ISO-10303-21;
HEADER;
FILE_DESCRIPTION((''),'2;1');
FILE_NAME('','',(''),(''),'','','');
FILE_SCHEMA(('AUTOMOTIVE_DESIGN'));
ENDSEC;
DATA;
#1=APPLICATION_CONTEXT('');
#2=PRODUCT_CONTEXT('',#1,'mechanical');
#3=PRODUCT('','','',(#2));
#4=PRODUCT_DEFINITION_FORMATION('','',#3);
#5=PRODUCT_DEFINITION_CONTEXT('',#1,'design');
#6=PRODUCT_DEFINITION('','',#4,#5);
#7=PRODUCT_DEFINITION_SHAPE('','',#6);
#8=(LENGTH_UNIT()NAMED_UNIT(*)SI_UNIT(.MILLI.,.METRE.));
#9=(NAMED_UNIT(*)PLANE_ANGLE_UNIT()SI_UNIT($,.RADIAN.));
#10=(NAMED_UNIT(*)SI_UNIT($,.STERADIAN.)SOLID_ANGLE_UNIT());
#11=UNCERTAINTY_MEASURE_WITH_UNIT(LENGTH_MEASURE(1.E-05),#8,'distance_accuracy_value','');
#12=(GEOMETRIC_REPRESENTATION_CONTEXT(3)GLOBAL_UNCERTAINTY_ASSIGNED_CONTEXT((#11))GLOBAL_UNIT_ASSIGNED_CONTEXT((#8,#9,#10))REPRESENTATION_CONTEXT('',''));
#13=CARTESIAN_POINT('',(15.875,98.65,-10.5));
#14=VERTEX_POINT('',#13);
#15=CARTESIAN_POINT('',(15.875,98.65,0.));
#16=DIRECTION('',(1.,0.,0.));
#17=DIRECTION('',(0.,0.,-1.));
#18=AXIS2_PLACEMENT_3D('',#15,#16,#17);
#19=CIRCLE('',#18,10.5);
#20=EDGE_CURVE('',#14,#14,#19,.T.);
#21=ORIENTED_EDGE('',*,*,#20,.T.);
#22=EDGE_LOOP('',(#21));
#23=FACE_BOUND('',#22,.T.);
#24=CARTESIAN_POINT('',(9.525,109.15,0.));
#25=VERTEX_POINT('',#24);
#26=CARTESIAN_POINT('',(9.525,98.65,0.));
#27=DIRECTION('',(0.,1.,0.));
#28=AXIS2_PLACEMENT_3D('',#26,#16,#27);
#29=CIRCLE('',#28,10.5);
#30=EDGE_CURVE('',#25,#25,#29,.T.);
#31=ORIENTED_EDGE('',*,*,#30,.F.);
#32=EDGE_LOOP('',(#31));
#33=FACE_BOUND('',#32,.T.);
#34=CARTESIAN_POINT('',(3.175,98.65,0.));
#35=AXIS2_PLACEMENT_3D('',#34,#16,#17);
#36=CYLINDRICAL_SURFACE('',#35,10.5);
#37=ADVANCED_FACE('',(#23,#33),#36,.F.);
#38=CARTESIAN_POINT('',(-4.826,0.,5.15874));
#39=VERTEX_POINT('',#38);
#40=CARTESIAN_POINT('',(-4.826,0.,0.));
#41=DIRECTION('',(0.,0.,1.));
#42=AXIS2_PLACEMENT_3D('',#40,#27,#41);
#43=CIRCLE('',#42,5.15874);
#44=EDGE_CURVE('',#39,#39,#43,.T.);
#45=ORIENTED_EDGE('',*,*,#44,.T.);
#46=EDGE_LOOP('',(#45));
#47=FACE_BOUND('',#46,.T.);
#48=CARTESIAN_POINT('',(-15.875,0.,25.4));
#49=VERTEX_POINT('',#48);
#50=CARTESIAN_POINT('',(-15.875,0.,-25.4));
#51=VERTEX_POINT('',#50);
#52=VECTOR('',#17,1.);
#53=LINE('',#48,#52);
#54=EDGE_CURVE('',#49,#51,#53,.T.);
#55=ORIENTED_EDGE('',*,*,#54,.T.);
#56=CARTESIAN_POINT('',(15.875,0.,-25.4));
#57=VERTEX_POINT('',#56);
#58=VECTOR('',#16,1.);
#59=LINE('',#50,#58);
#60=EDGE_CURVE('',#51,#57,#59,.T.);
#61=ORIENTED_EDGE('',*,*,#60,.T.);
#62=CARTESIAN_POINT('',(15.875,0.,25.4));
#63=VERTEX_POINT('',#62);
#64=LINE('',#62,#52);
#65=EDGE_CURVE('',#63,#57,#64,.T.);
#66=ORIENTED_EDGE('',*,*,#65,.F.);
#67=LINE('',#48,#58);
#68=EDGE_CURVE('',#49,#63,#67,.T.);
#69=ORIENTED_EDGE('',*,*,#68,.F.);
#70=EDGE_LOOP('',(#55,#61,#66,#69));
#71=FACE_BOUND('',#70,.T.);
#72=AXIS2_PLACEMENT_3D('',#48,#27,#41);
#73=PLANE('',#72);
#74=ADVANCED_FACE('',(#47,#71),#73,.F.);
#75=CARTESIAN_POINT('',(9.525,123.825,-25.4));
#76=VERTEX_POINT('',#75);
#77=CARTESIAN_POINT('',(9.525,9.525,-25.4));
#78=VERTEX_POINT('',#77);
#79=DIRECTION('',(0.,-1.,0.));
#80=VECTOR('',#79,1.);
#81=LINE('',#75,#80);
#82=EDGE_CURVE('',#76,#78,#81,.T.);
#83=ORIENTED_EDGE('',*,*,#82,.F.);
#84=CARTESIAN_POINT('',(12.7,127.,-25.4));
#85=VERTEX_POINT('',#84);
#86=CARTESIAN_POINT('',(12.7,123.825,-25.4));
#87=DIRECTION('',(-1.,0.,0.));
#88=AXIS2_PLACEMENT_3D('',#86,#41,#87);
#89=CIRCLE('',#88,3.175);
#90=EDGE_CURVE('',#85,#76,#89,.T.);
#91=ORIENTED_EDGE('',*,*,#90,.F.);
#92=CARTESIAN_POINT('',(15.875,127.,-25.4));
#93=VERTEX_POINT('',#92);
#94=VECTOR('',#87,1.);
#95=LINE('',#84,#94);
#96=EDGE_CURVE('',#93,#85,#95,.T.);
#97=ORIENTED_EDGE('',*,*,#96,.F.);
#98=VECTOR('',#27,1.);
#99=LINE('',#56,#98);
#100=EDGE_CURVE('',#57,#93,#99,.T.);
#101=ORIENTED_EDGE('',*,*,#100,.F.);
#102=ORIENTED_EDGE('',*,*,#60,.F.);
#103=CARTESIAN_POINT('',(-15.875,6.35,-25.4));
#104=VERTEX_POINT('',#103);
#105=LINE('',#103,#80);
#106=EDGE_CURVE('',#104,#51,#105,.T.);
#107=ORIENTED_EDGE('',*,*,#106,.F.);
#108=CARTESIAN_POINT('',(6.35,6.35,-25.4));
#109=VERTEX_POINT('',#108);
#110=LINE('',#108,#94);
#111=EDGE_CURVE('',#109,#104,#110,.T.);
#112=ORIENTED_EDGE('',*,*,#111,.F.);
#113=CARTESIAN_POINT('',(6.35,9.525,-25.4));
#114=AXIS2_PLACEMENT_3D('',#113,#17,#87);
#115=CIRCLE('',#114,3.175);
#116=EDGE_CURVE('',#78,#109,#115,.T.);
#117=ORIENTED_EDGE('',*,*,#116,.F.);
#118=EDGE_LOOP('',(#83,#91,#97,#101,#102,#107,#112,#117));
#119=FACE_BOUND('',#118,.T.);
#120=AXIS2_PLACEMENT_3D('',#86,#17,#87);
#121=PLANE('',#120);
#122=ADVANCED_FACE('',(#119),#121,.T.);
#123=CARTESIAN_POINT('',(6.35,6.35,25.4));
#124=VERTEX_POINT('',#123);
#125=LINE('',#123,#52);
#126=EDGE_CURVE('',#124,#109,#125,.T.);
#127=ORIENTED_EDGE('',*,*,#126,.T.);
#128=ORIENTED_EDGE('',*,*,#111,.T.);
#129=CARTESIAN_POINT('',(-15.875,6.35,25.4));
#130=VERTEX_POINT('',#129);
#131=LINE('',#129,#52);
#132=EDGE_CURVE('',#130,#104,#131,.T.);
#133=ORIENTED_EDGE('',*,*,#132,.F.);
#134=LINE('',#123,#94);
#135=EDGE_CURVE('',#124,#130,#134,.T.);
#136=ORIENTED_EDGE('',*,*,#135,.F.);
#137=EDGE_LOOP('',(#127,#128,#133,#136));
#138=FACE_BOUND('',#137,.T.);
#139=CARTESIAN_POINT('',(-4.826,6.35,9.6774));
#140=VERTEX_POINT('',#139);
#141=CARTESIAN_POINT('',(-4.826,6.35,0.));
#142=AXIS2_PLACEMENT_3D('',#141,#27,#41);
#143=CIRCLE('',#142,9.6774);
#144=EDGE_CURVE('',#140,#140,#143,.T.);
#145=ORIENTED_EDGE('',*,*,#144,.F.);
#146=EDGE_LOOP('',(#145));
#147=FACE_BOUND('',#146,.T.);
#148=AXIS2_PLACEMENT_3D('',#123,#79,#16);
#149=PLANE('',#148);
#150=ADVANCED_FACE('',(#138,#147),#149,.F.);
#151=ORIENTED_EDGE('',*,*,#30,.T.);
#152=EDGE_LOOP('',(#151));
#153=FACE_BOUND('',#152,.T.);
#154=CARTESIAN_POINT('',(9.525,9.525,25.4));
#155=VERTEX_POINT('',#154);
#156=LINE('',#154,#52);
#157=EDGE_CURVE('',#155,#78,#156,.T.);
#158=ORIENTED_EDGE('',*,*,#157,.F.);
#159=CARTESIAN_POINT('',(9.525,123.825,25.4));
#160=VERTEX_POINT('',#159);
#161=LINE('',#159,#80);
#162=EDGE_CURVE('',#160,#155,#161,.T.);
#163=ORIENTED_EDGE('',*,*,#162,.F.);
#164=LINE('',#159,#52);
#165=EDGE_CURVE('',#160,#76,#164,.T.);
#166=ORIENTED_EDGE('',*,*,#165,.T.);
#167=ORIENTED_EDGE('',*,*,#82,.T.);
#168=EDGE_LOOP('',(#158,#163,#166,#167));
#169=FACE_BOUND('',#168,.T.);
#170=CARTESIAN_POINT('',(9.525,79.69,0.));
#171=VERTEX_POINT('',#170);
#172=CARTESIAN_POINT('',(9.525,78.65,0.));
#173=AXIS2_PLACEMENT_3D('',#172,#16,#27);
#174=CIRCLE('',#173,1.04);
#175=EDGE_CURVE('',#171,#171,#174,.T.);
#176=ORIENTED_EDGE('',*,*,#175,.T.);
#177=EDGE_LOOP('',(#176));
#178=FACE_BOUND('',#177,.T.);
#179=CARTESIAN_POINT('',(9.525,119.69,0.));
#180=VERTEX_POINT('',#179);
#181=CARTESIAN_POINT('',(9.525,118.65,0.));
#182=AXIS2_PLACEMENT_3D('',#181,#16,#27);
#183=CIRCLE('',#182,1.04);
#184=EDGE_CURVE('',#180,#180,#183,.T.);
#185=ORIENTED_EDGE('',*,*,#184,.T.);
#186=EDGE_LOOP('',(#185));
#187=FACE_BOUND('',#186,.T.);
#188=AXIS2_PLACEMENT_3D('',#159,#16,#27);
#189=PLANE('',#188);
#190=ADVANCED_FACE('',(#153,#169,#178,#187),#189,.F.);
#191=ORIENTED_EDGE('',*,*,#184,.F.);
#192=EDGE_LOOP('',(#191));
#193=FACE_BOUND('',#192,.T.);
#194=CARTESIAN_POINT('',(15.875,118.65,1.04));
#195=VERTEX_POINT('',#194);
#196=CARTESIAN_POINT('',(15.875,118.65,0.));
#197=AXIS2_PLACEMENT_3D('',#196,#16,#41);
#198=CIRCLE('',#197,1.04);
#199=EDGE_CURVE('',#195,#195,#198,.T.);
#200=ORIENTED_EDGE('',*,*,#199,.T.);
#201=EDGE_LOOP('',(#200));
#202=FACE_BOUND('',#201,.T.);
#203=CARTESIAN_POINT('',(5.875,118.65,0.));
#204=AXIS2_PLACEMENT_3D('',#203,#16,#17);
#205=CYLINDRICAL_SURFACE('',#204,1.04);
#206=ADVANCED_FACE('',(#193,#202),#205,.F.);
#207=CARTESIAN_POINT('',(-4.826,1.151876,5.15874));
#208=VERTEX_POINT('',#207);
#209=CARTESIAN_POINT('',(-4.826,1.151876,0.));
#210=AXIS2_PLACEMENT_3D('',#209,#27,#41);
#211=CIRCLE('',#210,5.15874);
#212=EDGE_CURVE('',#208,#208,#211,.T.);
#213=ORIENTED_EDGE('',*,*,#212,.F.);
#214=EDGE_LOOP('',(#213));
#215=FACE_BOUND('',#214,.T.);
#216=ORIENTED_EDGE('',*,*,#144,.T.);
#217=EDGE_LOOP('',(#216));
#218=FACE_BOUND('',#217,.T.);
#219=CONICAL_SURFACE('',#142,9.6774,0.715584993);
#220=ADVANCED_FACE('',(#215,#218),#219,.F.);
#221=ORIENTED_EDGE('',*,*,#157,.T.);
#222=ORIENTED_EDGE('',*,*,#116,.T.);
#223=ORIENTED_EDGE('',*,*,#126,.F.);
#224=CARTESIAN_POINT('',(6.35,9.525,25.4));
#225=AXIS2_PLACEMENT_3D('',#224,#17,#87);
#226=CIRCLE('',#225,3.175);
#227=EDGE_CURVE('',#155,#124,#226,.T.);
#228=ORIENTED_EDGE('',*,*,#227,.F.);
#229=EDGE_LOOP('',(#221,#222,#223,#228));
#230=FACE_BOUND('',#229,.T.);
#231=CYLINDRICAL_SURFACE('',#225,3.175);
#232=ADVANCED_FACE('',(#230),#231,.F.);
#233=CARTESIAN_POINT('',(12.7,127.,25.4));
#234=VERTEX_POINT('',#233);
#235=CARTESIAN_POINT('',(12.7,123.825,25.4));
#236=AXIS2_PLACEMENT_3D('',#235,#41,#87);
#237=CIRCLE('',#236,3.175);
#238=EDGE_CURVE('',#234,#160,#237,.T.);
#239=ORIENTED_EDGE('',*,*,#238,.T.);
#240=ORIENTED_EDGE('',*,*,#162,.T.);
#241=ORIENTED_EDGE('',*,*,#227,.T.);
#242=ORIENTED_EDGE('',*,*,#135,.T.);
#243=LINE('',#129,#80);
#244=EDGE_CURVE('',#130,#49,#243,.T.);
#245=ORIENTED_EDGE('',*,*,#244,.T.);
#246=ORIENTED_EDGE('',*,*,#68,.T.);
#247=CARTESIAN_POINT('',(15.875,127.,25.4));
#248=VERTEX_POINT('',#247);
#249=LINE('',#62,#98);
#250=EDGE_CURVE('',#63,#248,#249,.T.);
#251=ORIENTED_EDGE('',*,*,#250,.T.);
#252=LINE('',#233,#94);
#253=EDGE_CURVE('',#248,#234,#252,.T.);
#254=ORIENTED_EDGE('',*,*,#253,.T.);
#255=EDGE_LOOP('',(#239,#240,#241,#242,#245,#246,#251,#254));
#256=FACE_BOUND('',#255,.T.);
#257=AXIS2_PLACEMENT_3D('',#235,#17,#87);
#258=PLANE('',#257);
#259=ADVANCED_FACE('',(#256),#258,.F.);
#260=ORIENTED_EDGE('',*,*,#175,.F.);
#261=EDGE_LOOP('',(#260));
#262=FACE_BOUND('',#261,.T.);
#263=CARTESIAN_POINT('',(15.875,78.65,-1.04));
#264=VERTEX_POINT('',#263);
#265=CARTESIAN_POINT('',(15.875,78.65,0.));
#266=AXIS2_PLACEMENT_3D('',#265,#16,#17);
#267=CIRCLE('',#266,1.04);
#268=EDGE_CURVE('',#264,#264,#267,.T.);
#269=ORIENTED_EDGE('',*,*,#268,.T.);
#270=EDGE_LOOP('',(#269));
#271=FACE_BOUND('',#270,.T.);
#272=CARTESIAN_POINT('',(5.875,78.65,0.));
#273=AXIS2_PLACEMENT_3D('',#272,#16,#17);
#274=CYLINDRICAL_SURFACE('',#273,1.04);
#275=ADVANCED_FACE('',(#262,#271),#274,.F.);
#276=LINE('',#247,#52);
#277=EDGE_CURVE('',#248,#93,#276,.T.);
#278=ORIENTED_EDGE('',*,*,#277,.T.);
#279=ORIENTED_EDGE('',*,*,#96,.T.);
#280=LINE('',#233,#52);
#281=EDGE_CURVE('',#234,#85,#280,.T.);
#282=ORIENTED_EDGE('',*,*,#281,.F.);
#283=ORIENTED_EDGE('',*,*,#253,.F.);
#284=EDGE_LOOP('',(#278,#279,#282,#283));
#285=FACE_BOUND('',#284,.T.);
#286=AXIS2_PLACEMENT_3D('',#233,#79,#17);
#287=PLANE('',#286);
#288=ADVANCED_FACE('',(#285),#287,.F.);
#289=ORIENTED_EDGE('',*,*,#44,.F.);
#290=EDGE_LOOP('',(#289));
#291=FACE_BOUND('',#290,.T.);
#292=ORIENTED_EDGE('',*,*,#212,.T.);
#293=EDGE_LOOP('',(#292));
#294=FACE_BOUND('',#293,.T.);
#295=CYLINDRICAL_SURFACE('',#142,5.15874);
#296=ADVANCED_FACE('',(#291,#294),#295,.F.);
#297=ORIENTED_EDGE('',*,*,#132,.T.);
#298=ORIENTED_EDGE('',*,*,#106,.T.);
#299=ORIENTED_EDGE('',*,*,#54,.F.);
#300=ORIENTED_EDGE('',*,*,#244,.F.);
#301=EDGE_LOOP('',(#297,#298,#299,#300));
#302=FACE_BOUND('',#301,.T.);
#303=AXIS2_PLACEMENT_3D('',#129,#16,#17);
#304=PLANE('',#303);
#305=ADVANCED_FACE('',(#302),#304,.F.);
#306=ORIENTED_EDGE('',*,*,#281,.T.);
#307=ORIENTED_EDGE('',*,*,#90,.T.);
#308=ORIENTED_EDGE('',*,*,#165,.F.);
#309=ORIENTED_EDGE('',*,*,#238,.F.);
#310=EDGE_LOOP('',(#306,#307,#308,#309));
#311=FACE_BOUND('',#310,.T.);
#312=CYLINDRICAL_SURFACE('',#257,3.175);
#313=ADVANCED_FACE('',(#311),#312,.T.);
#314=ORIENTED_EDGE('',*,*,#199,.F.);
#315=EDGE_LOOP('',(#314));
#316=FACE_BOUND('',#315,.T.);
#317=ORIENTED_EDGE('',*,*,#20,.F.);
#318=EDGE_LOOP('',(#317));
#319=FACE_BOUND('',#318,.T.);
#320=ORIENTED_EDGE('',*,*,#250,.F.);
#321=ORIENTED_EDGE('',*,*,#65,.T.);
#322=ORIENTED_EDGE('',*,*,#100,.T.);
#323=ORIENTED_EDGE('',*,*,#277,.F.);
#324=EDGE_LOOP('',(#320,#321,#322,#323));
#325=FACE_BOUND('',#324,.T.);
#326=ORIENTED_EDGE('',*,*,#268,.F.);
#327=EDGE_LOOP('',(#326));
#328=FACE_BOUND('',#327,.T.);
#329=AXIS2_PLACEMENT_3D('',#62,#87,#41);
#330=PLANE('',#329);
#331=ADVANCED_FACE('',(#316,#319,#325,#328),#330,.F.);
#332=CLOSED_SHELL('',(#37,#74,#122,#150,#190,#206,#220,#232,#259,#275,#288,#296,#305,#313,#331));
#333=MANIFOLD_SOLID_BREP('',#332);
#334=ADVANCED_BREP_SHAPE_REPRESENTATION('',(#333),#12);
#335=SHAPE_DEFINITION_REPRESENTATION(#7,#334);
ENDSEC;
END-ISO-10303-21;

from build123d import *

# Parameters (mm, degrees)
BOSS_EXTRUDE1_DEPTH = 25.4
SKETCH3_R           = 4.765
CUT_EXTRUDE1_DEPTH  = 128
SKETCH4_R           = 10.5
CUT_EXTRUDE2_DEPTH  = 12.7
SKETCH5_R           = 1.04
CUT_EXTRUDE3_DEPTH  = 10


with BuildPart() as part:
    # Sketch2 → Boss-Extrude1 (new body, symmetric)
    with BuildSketch(Plane.XY):
        with BuildLine():
            Line((-15.875, 0), (15.875, 0))
            Line((15.875, 0), (15.875, 127))
            Line((15.875, 127), (12.7, 127))
            ThreePointArc((12.7, 127), (10.45493597, 126.07006403), (9.525, 123.825))
            Line((9.525, 123.825), (9.525, 9.525))
            ThreePointArc((9.525, 9.525), (8.59506403, 7.27993597), (6.35, 6.35))
            Line((6.35, 6.35), (-15.875, 6.35))
            Line((-15.875, 6.35), (-15.875, 0))
        make_face()
    extrude(amount=BOSS_EXTRUDE1_DEPTH, both=True)

    # Sketch3 → Cut-Extrude1 (cut, through all)
    with BuildSketch(Plane.XZ):
        with Locations((-4.826, 0)):
            Circle(SKETCH3_R)
    extrude(amount=-CUT_EXTRUDE1_DEPTH, mode=Mode.SUBTRACT)

    # Sketch4 → Cut-Extrude2 (cut)
    with BuildSketch(Plane(origin=(15.875, 0, 0), x_dir=(0, 0, -1), z_dir=(1, 0, 0))):
        with Locations((0, 98.65)):
            Circle(SKETCH4_R)
    extrude(amount=-CUT_EXTRUDE2_DEPTH, mode=Mode.SUBTRACT)

    # Sketch5 → Cut-Extrude3 (cut)
    with BuildSketch(Plane(origin=(15.875, 0, 0), x_dir=(0, 0, -1), z_dir=(1, 0, 0))):
        with Locations((0, 78.65)):
            Circle(SKETCH5_R)
        with Locations((0, 118.65)):
            Circle(SKETCH5_R)
    extrude(amount=-CUT_EXTRUDE3_DEPTH, mode=Mode.SUBTRACT)

    # Sketch7 → CSK for 3/8 Flat Head Machine Screw1 (revolve, cut)
    with BuildSketch(Plane(origin=(-4.826, 6.35, 0), x_dir=(0, 0, 1), z_dir=(1, 0, 0))):
        Polygon((0, 0), (0, 6.35), (5.15874, 6.35), (5.15874, 5.198123707), (9.6774, 0), align=None)
    revolve(axis=Axis((-4.826, 12.7, 0), (0, -1, 0)), mode=Mode.SUBTRACT)


solid = part.part
